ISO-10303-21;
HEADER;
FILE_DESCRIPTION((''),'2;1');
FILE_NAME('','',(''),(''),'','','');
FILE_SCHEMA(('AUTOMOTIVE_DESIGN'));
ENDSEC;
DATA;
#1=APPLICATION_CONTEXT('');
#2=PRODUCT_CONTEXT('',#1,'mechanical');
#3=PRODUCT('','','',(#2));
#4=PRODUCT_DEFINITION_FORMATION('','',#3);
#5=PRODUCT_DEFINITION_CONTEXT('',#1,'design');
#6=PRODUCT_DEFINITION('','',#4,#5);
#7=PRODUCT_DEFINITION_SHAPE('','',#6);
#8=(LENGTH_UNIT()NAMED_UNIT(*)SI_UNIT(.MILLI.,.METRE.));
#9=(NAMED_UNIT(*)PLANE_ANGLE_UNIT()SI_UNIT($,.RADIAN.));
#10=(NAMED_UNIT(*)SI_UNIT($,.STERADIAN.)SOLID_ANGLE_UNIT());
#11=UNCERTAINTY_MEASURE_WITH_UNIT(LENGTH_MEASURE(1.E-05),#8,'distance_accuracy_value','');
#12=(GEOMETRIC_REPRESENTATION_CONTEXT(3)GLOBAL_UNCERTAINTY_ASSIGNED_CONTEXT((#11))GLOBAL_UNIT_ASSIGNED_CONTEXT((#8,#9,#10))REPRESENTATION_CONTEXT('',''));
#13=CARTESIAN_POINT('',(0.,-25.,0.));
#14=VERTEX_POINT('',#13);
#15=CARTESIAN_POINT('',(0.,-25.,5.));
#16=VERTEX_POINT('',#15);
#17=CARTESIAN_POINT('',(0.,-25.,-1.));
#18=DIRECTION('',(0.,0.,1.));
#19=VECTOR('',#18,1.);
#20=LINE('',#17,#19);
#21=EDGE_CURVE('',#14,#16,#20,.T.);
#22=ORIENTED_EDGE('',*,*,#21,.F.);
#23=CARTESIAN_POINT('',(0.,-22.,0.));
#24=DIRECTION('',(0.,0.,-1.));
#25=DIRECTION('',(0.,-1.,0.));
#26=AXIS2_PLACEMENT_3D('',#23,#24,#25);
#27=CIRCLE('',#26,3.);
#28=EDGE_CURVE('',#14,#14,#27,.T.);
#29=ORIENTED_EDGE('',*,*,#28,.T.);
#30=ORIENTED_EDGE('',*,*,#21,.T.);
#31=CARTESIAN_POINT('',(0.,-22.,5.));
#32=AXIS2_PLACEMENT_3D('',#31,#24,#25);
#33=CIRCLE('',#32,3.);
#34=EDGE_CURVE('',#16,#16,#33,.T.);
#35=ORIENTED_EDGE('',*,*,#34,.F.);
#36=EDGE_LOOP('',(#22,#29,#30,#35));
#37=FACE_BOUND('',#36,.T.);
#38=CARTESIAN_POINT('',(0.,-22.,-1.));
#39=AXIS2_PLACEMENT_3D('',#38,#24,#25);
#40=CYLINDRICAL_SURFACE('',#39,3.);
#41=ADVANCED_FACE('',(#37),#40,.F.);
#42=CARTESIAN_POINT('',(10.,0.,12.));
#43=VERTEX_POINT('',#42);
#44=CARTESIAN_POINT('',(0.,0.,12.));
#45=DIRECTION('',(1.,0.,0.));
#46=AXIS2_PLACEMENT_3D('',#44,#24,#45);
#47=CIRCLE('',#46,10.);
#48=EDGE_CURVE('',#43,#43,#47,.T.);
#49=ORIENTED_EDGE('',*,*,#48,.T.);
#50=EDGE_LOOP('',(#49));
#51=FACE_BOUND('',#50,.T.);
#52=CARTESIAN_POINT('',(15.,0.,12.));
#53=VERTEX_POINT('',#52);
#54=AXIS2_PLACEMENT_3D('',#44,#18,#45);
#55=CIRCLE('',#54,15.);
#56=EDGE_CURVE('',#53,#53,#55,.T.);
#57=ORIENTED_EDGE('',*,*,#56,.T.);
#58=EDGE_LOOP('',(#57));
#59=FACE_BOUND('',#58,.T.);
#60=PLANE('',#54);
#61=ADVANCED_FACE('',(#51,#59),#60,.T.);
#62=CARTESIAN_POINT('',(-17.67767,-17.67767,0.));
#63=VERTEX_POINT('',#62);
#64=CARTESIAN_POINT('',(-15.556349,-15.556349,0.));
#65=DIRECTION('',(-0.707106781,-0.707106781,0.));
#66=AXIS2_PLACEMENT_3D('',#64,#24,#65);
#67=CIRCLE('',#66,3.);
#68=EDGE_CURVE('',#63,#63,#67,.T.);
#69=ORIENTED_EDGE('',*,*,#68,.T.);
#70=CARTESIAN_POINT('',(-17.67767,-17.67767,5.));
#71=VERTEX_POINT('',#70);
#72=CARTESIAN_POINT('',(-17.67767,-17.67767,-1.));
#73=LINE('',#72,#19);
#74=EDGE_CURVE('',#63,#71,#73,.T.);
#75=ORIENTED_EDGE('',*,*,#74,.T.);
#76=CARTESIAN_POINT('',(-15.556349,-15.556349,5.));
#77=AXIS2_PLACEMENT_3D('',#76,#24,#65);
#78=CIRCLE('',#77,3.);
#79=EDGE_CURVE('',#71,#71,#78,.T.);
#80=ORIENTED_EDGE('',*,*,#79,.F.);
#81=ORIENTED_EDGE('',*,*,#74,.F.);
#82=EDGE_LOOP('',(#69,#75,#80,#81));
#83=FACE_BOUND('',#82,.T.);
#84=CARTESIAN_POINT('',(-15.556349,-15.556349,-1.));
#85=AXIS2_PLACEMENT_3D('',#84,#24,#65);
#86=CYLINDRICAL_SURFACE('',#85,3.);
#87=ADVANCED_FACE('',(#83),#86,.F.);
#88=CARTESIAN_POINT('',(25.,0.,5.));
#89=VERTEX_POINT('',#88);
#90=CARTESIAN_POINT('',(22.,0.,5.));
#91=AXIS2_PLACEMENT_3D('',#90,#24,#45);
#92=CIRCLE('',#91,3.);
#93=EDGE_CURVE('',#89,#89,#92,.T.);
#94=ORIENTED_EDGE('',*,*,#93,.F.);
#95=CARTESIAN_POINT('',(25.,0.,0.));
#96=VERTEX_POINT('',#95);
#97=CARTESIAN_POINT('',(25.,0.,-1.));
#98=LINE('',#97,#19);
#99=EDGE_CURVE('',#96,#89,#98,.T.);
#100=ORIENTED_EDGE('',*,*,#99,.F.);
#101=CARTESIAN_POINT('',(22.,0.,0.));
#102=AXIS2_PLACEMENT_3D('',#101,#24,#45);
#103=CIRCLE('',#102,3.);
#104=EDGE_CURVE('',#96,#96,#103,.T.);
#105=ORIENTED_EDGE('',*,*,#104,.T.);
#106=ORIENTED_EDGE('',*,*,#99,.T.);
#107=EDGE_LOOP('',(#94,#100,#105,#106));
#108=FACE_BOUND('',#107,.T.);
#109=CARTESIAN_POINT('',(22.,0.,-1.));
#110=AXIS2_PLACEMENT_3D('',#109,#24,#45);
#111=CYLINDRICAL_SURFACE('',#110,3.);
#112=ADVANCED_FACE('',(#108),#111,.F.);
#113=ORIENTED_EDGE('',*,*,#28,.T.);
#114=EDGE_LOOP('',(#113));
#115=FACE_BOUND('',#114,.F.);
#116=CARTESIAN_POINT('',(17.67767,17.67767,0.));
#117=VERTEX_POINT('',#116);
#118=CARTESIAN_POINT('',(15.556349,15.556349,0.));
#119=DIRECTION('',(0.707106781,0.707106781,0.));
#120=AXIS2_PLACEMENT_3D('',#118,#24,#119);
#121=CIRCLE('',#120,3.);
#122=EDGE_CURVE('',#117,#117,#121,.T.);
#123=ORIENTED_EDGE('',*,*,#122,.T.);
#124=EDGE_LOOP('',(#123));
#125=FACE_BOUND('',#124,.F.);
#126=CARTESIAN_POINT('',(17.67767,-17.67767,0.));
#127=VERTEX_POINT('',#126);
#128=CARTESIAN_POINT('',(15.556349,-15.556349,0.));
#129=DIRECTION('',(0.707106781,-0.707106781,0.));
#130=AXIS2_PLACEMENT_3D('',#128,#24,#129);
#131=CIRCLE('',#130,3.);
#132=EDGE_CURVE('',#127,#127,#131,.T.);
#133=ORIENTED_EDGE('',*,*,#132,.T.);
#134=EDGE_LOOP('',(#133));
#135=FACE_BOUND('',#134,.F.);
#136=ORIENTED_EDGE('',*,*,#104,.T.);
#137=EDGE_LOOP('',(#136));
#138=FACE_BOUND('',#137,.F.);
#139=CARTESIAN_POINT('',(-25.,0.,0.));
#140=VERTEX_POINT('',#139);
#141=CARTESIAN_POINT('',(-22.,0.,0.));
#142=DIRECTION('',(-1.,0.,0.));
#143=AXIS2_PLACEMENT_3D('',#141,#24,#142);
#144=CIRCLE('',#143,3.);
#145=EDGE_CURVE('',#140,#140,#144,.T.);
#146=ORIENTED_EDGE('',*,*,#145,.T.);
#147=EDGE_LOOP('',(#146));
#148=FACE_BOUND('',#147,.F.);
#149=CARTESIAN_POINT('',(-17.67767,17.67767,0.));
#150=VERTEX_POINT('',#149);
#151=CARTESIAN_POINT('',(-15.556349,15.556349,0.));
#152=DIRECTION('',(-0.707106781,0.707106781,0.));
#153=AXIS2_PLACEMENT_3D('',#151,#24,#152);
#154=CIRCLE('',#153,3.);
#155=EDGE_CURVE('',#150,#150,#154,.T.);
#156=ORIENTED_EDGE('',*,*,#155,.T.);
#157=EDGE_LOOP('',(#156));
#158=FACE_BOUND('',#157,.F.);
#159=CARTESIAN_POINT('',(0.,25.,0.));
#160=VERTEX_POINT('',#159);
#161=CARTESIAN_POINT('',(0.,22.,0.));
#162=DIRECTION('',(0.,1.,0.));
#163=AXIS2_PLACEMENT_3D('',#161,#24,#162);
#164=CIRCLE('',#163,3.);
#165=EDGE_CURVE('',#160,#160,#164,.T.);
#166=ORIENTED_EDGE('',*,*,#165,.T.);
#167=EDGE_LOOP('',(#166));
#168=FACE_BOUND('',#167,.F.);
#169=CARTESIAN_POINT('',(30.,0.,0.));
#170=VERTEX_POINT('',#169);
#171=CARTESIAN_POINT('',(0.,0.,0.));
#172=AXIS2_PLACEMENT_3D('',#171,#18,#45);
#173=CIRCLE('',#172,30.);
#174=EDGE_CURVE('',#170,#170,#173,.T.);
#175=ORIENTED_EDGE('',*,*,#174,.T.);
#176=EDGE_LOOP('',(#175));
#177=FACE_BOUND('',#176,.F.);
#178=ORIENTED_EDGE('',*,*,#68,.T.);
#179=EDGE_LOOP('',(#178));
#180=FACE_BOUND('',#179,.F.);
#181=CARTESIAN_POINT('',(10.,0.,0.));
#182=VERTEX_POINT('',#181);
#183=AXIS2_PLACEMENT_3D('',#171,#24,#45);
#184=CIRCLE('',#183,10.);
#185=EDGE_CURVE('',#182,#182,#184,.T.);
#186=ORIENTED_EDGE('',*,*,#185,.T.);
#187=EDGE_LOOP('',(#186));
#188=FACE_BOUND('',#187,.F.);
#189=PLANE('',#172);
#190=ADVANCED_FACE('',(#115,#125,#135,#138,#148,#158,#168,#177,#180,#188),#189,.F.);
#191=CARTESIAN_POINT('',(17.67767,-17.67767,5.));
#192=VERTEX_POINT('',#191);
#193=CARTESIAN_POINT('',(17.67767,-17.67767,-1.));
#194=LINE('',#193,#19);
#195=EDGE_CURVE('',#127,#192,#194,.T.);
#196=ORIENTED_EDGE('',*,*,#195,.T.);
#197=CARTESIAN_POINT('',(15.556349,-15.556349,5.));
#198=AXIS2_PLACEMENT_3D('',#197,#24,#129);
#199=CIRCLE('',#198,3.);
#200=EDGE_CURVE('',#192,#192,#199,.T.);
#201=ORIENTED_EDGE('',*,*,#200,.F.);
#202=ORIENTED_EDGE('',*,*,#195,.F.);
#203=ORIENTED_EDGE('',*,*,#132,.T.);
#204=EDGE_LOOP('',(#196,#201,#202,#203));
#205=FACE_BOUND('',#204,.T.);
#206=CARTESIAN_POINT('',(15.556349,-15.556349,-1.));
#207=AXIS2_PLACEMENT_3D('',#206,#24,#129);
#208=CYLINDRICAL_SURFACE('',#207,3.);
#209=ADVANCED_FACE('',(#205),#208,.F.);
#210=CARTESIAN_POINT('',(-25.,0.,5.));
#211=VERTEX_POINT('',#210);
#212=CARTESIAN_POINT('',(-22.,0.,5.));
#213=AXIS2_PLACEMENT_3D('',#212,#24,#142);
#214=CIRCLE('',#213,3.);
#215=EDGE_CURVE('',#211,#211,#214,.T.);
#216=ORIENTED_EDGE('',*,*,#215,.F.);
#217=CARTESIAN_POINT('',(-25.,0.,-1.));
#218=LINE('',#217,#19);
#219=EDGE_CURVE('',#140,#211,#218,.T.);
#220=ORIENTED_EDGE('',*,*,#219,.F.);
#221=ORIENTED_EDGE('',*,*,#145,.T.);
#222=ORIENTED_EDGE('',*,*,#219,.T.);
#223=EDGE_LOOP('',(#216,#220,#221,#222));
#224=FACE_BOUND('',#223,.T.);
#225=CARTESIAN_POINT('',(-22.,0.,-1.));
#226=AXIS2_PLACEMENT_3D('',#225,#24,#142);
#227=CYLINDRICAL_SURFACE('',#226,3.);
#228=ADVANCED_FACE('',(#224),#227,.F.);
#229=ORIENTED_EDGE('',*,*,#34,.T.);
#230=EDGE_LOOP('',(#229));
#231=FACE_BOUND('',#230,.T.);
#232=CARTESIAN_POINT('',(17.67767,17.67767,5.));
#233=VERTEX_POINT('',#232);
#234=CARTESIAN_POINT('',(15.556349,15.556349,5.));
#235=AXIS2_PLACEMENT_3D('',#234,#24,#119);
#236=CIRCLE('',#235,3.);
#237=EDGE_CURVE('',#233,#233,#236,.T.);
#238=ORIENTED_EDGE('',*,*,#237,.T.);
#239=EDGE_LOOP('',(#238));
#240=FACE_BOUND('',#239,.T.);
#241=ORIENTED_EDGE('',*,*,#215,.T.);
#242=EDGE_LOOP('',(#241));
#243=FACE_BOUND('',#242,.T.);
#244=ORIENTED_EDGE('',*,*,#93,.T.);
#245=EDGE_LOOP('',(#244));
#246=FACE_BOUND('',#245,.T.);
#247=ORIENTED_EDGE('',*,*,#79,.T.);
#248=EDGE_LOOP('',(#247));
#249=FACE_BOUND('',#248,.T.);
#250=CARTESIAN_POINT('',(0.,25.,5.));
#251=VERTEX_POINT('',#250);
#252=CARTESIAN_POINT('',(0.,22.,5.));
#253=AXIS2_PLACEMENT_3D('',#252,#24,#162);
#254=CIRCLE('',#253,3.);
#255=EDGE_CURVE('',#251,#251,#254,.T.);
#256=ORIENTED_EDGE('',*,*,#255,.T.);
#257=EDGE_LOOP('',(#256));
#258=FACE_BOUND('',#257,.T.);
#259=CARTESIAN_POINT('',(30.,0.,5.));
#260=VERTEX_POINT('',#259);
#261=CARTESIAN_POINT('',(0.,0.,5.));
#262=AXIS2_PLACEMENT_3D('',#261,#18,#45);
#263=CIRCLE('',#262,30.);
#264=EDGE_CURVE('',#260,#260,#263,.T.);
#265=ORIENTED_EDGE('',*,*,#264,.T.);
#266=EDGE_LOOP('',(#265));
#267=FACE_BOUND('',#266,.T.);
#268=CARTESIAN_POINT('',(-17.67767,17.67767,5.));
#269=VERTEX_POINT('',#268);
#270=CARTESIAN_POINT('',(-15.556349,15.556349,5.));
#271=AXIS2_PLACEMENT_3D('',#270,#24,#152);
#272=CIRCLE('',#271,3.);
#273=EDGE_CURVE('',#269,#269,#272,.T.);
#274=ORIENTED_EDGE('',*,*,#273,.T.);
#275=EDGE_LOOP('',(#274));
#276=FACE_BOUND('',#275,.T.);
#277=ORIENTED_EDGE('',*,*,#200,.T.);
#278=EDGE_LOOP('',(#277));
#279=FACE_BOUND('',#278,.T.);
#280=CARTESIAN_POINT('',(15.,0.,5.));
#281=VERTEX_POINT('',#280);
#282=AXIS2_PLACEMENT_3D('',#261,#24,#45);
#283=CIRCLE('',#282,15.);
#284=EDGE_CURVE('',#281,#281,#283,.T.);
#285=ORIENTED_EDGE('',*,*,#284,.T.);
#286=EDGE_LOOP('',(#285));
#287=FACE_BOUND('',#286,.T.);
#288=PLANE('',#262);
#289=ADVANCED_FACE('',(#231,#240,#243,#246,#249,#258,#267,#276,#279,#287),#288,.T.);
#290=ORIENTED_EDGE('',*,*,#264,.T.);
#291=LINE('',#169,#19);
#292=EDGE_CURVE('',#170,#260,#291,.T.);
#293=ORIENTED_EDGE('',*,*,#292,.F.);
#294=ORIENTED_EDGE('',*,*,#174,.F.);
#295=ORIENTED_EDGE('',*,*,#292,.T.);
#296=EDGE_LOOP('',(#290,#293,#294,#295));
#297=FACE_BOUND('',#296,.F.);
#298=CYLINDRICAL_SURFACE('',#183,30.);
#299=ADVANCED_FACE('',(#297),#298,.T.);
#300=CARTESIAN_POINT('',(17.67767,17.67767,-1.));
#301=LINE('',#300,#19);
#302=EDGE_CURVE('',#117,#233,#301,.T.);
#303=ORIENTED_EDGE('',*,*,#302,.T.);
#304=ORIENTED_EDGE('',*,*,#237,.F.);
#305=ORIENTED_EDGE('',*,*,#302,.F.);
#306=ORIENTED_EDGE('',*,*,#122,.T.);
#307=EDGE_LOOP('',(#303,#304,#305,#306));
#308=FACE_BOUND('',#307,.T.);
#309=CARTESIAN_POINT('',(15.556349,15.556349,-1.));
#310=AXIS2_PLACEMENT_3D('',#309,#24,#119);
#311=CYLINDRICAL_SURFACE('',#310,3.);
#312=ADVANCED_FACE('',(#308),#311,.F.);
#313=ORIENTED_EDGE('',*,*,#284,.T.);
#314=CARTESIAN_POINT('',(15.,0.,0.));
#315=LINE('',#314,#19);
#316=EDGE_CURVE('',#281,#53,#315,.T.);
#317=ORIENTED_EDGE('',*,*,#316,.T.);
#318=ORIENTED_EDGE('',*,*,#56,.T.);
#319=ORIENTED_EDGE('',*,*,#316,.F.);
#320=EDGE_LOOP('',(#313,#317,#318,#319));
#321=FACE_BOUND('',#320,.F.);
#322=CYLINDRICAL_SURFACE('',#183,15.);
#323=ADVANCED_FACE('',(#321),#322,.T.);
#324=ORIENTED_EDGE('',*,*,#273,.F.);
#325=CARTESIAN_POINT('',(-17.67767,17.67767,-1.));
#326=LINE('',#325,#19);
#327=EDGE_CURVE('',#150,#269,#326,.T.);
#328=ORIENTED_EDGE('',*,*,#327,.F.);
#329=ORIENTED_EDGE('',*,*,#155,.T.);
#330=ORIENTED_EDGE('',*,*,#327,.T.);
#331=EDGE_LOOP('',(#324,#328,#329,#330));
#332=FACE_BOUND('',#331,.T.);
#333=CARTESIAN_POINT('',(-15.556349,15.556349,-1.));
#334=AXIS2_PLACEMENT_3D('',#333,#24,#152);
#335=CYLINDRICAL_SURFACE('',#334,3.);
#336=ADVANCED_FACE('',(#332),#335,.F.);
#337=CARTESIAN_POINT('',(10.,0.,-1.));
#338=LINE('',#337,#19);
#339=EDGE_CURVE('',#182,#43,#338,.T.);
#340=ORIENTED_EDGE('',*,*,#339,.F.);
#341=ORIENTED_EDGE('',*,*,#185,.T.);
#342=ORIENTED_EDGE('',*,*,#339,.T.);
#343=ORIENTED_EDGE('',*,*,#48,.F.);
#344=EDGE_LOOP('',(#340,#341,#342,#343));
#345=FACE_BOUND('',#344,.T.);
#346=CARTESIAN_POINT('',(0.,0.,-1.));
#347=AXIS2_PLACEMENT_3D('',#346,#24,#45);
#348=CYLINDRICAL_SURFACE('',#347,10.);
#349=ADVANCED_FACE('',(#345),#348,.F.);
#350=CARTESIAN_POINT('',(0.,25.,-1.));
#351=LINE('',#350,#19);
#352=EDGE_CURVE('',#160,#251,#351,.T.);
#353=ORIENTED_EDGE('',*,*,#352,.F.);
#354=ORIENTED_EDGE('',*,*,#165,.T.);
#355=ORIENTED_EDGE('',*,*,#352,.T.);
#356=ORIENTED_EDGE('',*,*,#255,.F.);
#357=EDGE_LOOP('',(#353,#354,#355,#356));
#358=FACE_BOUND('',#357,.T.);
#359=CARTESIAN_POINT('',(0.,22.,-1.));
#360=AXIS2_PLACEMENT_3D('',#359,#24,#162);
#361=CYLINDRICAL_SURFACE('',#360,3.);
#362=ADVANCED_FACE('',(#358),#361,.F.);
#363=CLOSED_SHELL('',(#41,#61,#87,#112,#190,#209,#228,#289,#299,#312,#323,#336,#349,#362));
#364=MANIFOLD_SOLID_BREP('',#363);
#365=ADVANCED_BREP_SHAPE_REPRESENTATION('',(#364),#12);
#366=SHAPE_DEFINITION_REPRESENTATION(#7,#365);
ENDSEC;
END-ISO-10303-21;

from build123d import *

# Parameters (mm, degrees)
CYLINDER003_R     = 3
CYLINDER003_DEPTH = 10
ARRAY001_COUNT    = 8
CYLINDER002_R     = 10
CYLINDER002_DEPTH = 30
CYLINDER001_R     = 15
CYLINDER001_DEPTH = 12
CYLINDER_R        = 30
CYLINDER_DEPTH    = 5


with BuildPart() as array001:
    # Cylinder003 → Cylinder003 (new body)
    with BuildSketch(Plane(origin=(22, 0, -1), x_dir=(1, 0, 0), z_dir=(0, 0, 1))):
        Circle(CYLINDER003_R)
    extrude(amount=CYLINDER003_DEPTH)

    # Array001: Array001 ×8 about axis
    array001_axis = Axis((0, 0, 0), (0, 0, 1))


with BuildPart() as array001_1:
    add(array001.part)
    for i in range(1, ARRAY001_COUNT):
        add(array001.part.rotate(array001_axis, i * 360 / ARRAY001_COUNT))


with BuildPart() as brida_sin_taladros001:
    # Cylinder002 → Cylinder002 (new body)
    with BuildSketch(Plane.XY.offset(-1)):
        Circle(CYLINDER002_R)
    extrude(amount=CYLINDER002_DEPTH)


with BuildPart() as tub_exterior:
    # Cylinder001 → Cylinder001 (new body)
    with BuildSketch(Plane.XY):
        Circle(CYLINDER001_R)
    extrude(amount=CYLINDER001_DEPTH)


with BuildPart() as cut001:
    # Cylinder → Cylinder (new body)
    with BuildSketch(Plane.XY):
        Circle(CYLINDER_R)
    extrude(amount=CYLINDER_DEPTH)

    # Fusion: union tub exterior
    add(tub_exterior.part)

    # Cut: cut brida sin taladros001
    add(brida_sin_taladros001.part, mode=Mode.SUBTRACT)

    # Cut001: cut Array001
    add(array001_1.part, mode=Mode.SUBTRACT)


solid = cut001.part
